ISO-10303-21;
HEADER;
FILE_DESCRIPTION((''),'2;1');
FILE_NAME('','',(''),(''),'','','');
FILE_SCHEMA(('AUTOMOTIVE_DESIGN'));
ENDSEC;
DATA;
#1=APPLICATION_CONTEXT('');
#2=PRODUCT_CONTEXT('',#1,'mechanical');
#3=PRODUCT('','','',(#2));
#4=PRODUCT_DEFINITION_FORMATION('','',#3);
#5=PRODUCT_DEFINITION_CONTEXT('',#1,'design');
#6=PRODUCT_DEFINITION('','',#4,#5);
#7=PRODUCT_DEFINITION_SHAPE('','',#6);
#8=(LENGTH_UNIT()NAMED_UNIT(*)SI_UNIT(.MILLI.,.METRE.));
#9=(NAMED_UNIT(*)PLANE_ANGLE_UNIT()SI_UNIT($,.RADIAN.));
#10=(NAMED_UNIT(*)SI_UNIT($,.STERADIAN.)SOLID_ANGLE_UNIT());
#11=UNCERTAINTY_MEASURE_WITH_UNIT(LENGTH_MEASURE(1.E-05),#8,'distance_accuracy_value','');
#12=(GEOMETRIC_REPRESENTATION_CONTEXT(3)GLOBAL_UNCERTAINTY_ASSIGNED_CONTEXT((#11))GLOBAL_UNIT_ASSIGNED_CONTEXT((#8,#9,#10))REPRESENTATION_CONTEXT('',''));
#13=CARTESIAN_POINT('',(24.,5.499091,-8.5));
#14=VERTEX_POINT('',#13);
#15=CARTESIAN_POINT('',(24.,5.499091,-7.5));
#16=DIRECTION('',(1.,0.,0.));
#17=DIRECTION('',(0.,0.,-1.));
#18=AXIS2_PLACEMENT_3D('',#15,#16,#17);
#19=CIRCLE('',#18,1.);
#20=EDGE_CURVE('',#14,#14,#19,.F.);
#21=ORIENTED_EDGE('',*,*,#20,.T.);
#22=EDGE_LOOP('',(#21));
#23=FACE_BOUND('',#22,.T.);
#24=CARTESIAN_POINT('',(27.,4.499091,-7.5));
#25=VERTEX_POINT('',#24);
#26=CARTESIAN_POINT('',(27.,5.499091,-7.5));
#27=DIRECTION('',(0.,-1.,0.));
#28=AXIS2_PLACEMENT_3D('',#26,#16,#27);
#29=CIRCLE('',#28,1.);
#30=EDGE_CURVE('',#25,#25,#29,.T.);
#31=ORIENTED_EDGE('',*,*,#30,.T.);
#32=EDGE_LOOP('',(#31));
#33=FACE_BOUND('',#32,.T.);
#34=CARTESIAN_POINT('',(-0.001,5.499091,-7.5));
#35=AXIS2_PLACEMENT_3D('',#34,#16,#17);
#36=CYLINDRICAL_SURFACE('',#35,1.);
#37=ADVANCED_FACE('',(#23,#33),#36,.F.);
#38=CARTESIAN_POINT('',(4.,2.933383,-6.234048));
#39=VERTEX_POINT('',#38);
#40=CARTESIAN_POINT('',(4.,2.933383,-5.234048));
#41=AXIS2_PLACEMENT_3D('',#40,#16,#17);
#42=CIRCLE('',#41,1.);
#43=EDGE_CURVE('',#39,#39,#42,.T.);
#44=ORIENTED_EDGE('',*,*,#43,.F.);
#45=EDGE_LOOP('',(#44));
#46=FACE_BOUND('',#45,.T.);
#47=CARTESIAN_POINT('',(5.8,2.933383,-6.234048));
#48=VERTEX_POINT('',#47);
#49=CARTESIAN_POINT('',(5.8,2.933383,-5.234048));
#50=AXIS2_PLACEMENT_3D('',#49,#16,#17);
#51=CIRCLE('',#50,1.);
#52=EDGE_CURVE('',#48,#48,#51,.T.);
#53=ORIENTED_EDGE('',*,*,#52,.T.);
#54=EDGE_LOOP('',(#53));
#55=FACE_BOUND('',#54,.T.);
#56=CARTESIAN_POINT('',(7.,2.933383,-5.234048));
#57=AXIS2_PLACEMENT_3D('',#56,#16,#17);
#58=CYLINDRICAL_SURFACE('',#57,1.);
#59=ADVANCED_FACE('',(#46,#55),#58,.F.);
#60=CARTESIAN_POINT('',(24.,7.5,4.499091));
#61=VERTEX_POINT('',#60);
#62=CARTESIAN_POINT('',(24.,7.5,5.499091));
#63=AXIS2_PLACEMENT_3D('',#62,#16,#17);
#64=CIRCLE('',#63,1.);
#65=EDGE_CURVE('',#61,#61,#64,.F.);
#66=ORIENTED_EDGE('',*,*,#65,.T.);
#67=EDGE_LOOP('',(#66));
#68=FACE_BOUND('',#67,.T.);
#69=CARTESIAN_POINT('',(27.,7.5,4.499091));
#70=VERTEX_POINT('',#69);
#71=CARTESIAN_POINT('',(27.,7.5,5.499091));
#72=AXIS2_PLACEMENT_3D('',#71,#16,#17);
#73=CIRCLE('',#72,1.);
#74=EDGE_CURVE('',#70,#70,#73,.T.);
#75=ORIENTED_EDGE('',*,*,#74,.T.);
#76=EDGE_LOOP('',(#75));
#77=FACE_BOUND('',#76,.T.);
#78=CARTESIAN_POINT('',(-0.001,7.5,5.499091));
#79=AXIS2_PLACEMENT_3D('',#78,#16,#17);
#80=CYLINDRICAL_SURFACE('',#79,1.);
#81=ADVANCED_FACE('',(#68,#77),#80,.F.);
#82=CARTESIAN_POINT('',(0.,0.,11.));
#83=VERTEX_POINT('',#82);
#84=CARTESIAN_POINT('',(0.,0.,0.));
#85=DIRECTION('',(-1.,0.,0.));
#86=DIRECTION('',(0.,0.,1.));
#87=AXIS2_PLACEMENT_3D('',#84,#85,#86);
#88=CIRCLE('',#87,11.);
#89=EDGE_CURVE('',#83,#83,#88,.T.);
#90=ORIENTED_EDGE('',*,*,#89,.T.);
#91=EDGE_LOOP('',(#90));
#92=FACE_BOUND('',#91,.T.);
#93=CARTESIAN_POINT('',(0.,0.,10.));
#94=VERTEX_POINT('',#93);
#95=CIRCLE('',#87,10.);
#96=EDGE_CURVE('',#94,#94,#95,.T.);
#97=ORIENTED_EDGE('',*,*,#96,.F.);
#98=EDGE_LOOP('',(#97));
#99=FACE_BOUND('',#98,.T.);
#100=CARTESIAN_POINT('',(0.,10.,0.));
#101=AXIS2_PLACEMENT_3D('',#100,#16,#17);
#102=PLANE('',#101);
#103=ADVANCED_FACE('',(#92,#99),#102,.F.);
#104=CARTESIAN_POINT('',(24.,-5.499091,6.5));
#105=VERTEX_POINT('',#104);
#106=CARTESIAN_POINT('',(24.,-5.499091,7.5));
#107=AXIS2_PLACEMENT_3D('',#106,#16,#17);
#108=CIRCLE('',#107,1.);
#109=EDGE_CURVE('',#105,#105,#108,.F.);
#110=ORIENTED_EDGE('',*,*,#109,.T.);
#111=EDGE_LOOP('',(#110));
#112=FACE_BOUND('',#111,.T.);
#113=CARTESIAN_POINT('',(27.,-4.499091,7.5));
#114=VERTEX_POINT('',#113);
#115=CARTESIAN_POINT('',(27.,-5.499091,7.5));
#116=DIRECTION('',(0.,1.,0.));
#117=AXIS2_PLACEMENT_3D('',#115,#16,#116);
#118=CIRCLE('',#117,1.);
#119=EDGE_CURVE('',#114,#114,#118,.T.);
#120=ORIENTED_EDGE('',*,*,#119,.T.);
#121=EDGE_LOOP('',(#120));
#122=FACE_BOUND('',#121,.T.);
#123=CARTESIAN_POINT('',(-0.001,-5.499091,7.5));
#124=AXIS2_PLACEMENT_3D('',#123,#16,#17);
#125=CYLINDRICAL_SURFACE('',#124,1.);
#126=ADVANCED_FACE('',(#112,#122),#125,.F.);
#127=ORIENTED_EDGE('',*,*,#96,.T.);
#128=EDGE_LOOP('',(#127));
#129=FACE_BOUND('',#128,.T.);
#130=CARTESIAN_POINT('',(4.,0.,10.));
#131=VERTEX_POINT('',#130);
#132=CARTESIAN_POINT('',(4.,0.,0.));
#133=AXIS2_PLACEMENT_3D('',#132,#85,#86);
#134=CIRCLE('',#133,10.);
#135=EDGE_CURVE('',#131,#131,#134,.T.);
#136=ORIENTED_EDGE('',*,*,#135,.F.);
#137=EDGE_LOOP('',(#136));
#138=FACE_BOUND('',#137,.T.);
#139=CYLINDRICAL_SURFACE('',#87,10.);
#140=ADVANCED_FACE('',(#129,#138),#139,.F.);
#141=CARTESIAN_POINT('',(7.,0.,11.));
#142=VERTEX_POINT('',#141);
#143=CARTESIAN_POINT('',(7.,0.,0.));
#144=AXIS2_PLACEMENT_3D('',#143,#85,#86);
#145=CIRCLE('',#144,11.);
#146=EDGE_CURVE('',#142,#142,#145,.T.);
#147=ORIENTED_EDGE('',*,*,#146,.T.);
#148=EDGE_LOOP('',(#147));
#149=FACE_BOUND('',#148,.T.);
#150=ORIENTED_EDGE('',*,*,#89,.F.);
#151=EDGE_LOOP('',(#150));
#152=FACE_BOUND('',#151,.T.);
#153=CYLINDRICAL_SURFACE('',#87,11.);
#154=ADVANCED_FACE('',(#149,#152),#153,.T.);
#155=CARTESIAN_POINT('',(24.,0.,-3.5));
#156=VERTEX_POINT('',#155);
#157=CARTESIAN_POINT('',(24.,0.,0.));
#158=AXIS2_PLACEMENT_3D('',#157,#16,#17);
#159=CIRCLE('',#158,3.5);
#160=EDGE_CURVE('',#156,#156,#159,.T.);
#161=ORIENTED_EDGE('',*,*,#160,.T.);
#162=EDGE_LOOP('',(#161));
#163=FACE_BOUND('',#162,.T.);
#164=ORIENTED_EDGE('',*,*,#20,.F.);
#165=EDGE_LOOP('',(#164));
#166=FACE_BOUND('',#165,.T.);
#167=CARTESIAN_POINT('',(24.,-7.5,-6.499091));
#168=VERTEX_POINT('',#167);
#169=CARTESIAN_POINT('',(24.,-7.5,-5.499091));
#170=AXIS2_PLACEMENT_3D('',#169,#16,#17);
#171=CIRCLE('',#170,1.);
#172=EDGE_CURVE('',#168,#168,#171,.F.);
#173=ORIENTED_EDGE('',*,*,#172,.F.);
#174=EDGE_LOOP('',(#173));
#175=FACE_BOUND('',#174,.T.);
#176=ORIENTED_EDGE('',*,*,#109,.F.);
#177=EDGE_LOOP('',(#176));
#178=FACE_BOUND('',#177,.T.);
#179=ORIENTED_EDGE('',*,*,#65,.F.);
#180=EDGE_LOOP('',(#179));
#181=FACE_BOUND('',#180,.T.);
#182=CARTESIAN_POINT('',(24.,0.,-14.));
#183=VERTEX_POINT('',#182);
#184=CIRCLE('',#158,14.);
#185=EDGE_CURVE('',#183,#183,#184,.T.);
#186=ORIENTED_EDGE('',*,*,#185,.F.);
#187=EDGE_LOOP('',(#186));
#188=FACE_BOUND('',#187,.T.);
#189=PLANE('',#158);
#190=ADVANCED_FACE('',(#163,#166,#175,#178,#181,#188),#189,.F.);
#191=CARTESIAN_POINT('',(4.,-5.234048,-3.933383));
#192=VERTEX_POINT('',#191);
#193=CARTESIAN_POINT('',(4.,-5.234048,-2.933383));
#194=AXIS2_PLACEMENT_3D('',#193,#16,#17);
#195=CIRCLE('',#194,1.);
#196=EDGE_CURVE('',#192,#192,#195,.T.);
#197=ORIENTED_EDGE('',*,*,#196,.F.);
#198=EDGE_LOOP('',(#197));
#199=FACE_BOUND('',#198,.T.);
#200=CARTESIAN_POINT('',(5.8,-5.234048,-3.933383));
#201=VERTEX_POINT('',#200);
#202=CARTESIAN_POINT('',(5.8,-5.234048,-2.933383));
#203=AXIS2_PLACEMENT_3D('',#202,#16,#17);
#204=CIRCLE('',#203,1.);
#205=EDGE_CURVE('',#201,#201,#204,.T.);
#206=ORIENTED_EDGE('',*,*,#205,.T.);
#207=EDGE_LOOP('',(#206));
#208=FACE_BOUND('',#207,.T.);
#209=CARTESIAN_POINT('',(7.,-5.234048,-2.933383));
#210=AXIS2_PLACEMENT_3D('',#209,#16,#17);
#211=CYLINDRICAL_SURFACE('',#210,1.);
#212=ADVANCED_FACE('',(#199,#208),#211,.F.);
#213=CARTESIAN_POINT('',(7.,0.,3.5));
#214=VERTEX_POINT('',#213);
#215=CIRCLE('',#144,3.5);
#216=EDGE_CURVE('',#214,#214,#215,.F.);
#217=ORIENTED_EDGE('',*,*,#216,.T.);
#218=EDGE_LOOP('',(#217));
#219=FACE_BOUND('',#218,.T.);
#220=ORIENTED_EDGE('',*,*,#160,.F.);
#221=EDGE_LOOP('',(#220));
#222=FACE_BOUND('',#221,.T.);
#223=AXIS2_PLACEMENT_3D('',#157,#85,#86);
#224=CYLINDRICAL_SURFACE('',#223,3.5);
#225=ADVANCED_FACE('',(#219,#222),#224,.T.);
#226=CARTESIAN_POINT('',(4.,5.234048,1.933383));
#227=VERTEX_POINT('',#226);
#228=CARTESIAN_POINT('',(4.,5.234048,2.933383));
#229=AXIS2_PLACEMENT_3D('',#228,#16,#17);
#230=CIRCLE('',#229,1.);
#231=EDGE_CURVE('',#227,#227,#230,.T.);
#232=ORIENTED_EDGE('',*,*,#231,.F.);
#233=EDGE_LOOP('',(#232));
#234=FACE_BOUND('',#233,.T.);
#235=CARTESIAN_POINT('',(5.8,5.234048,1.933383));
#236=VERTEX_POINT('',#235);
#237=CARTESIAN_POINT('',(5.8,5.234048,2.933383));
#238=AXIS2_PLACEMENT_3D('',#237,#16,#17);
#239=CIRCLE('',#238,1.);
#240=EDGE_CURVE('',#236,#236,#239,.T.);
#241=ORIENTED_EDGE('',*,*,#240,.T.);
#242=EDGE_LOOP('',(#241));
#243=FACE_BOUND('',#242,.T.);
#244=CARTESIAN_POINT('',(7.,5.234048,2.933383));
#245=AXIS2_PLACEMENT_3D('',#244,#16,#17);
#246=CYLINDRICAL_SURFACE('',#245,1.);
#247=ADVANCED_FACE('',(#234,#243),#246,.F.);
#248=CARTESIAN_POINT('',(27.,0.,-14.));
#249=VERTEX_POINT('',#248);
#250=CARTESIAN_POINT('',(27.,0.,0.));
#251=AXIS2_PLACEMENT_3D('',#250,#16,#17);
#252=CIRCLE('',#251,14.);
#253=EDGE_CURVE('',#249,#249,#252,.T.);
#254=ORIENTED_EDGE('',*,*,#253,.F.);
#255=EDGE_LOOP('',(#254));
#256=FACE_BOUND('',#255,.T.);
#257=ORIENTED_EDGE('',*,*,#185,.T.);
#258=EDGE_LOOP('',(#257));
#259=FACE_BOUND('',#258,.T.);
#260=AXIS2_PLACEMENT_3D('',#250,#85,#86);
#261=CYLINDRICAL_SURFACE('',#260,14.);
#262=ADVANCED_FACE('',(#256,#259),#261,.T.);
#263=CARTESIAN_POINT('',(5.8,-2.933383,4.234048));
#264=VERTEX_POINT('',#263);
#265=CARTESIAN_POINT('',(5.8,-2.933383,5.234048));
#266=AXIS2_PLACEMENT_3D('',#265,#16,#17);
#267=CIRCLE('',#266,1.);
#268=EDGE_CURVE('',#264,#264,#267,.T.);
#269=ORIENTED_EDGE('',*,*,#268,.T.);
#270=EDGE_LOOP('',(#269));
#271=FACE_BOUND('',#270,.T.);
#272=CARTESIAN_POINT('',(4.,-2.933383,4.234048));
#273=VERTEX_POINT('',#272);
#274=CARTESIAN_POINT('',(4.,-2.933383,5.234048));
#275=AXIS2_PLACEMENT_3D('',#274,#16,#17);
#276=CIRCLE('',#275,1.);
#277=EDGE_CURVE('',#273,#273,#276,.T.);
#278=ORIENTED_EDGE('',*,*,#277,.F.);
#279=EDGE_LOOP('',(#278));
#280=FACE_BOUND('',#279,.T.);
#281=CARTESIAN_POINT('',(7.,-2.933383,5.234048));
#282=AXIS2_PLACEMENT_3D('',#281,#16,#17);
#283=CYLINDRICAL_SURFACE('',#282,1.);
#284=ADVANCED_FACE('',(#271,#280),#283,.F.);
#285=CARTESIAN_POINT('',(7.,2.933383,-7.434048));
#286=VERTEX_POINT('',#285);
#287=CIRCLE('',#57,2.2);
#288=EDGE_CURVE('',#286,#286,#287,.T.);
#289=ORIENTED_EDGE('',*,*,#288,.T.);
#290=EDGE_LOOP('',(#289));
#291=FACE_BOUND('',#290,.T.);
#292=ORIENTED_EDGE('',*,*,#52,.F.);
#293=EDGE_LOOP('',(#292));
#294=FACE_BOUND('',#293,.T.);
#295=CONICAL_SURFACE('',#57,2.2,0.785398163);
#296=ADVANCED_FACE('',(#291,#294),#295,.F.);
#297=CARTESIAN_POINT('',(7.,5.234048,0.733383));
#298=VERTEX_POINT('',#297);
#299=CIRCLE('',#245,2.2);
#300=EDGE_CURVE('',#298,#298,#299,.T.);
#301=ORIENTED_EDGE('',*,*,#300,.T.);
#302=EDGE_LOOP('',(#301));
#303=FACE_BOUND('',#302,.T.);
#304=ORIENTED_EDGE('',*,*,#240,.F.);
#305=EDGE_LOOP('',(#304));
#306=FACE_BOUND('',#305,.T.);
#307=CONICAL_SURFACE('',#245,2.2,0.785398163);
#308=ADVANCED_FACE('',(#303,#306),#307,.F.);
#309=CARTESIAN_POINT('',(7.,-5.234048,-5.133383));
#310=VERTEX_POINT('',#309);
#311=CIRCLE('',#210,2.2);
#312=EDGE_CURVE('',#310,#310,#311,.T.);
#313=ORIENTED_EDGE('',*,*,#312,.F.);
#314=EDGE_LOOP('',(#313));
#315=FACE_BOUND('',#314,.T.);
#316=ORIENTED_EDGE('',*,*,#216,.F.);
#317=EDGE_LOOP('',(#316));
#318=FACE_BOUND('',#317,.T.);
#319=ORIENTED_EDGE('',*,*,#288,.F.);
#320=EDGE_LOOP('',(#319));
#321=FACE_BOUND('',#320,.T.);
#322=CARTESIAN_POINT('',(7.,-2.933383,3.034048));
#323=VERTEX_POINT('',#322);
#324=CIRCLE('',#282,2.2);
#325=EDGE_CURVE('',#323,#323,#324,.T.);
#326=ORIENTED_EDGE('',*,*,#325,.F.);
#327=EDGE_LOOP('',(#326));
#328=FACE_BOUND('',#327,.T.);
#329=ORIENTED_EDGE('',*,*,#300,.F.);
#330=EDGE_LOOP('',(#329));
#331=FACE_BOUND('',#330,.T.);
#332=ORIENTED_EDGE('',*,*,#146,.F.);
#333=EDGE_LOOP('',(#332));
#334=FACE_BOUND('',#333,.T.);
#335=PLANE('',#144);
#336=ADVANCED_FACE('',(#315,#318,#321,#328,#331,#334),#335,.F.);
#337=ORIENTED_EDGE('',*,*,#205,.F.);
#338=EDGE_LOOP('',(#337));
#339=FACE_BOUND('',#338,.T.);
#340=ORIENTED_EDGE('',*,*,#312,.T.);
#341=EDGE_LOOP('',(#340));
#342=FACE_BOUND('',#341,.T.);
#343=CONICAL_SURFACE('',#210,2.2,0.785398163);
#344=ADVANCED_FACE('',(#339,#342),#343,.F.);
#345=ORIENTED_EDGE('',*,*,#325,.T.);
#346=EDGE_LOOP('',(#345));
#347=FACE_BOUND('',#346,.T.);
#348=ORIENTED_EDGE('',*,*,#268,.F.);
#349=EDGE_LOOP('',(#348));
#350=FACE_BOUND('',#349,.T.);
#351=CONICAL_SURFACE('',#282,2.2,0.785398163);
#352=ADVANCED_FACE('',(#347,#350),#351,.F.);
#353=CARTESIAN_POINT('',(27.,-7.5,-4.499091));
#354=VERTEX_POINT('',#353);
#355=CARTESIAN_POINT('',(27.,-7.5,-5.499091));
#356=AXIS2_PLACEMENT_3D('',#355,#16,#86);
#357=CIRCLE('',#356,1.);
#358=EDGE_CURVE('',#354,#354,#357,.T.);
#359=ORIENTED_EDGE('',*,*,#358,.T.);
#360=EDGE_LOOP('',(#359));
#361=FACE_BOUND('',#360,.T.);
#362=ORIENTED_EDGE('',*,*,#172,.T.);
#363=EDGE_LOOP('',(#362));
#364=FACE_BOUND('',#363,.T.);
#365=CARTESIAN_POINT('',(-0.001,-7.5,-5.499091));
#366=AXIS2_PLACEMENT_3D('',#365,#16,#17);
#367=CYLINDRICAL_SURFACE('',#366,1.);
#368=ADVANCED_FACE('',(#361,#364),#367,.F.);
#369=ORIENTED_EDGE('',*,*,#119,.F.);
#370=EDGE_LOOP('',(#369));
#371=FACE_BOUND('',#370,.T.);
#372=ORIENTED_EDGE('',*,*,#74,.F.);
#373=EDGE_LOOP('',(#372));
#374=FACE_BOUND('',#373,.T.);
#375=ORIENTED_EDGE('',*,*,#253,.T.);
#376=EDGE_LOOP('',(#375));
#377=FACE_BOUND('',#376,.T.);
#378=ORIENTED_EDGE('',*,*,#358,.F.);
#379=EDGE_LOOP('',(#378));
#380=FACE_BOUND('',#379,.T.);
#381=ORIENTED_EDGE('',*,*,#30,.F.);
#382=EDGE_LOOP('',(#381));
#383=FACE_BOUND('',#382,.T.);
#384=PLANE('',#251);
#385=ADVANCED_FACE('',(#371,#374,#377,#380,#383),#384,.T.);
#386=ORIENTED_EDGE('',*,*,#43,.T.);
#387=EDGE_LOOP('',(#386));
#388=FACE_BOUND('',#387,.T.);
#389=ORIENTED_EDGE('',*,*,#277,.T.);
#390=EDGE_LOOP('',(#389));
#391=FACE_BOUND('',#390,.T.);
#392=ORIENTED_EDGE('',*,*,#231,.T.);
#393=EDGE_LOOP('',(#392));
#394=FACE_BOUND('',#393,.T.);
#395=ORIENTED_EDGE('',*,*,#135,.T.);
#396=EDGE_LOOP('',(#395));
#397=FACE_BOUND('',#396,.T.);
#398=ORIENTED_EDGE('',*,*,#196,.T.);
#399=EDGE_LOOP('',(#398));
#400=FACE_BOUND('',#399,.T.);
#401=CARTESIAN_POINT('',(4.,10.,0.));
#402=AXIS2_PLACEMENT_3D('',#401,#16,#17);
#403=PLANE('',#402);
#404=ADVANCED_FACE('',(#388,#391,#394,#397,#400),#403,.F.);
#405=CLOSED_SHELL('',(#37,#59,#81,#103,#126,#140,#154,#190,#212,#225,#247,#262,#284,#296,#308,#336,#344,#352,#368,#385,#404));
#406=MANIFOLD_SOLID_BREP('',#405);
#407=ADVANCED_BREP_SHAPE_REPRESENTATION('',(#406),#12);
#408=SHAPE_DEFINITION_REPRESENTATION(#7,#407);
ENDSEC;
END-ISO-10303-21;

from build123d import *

# Parameters (mm, degrees)
HOLE_WIZARD_M22_D           = 2
HOLE_WIZARD_M22_CSINK_D     = 4.4
HOLE_WIZARD_M22_CSINK_ANGLE = 90
PATTERN_CIRCULAR_2_COUNT    = 4
SKETCH_6_R                  = 3.5
EXTRUDE_1_DEPTH             = 17
SKETCH_7_R                  = 14
EXTRUDE_2_DEPTH             = 3
CUT_EXTRUDE_1_REACH         = 35.481
SKETCH_8_R                  = 1
PATTERN_CIRCULAR_3_COUNT    = 4


with BuildPart() as part:
    # Эскиз1 → Повернуть1 (revolve)
    with BuildSketch(Plane.XY):
        Polygon((0, 10), (0, 11), (7, 11), (7, 0), (4, 0), (4, 10), align=None)
    revolve(axis=Axis((0, 0, 0), (1, 0, 0)))

    # Зенковка для  винта с плоской головкой M22 (through all)
    with Locations(Plane(origin=(7, 0, 0), x_dir=(0, 0, -1), z_dir=(1, 0, 0))):
        with Locations((-2.933383142, 5.234048466)):
            hole_wizard_m22 = CounterSinkHole(HOLE_WIZARD_M22_D / 2, HOLE_WIZARD_M22_CSINK_D / 2, counter_sink_angle=HOLE_WIZARD_M22_CSINK_ANGLE)

    # Круговой массив2: Зенковка для  винта с плоской головкой M22 ×4 about axis
    pattern_circular_2_axis = Axis((4, 0, 0), (-1, 0, 0))
    for i in range(1, PATTERN_CIRCULAR_2_COUNT):
        add(hole_wizard_m22.rotate(pattern_circular_2_axis, i * 360 / PATTERN_CIRCULAR_2_COUNT), mode=Mode.SUBTRACT)

    # Эскиз6 → Бобышка-Вытянуть1 (add)
    with BuildSketch(Plane(origin=(7, 0, 0), x_dir=(0, 0, -1), z_dir=(1, 0, 0))):
        Circle(SKETCH_6_R)
    extrude(amount=EXTRUDE_1_DEPTH)

    # Эскиз7 → Бобышка-Вытянуть2 (add)
    with BuildSketch(Plane(origin=(24, 0, 0), x_dir=(0, 0, -1), z_dir=(1, 0, 0))):
        Circle(SKETCH_7_R)
    extrude(amount=EXTRUDE_2_DEPTH)

    # Эскиз8 → Вырез-Вытянуть1 (cut, up to next)
    with BuildSketch(Plane(origin=(27, 0, 0), x_dir=(0, 0, -1), z_dir=(1, 0, 0)), mode=Mode.PRIVATE) as cut_extrude_1_sk1:
        with Locations((-5.499090834, 7.5)):
            Circle(SKETCH_8_R)
    cut_extrude_1_tool1 = extrude(cut_extrude_1_sk1.sketch, amount=-CUT_EXTRUDE_1_REACH, mode=Mode.PRIVATE) & part.part
    cut_extrude_1 = cut_extrude_1_tool1.solids().sort_by_distance((27, 7.5, 5.499091))[0]
    add(cut_extrude_1, mode=Mode.SUBTRACT)

    # Круговой массив3: Вырез-Вытянуть1 ×4 about axis
    pattern_circular_3_axis = Axis((4, 0, 0), (-1, 0, 0))
    for i in range(1, PATTERN_CIRCULAR_3_COUNT):
        add(cut_extrude_1.rotate(pattern_circular_3_axis, i * 360 / PATTERN_CIRCULAR_3_COUNT), mode=Mode.SUBTRACT)


solid = part.part
